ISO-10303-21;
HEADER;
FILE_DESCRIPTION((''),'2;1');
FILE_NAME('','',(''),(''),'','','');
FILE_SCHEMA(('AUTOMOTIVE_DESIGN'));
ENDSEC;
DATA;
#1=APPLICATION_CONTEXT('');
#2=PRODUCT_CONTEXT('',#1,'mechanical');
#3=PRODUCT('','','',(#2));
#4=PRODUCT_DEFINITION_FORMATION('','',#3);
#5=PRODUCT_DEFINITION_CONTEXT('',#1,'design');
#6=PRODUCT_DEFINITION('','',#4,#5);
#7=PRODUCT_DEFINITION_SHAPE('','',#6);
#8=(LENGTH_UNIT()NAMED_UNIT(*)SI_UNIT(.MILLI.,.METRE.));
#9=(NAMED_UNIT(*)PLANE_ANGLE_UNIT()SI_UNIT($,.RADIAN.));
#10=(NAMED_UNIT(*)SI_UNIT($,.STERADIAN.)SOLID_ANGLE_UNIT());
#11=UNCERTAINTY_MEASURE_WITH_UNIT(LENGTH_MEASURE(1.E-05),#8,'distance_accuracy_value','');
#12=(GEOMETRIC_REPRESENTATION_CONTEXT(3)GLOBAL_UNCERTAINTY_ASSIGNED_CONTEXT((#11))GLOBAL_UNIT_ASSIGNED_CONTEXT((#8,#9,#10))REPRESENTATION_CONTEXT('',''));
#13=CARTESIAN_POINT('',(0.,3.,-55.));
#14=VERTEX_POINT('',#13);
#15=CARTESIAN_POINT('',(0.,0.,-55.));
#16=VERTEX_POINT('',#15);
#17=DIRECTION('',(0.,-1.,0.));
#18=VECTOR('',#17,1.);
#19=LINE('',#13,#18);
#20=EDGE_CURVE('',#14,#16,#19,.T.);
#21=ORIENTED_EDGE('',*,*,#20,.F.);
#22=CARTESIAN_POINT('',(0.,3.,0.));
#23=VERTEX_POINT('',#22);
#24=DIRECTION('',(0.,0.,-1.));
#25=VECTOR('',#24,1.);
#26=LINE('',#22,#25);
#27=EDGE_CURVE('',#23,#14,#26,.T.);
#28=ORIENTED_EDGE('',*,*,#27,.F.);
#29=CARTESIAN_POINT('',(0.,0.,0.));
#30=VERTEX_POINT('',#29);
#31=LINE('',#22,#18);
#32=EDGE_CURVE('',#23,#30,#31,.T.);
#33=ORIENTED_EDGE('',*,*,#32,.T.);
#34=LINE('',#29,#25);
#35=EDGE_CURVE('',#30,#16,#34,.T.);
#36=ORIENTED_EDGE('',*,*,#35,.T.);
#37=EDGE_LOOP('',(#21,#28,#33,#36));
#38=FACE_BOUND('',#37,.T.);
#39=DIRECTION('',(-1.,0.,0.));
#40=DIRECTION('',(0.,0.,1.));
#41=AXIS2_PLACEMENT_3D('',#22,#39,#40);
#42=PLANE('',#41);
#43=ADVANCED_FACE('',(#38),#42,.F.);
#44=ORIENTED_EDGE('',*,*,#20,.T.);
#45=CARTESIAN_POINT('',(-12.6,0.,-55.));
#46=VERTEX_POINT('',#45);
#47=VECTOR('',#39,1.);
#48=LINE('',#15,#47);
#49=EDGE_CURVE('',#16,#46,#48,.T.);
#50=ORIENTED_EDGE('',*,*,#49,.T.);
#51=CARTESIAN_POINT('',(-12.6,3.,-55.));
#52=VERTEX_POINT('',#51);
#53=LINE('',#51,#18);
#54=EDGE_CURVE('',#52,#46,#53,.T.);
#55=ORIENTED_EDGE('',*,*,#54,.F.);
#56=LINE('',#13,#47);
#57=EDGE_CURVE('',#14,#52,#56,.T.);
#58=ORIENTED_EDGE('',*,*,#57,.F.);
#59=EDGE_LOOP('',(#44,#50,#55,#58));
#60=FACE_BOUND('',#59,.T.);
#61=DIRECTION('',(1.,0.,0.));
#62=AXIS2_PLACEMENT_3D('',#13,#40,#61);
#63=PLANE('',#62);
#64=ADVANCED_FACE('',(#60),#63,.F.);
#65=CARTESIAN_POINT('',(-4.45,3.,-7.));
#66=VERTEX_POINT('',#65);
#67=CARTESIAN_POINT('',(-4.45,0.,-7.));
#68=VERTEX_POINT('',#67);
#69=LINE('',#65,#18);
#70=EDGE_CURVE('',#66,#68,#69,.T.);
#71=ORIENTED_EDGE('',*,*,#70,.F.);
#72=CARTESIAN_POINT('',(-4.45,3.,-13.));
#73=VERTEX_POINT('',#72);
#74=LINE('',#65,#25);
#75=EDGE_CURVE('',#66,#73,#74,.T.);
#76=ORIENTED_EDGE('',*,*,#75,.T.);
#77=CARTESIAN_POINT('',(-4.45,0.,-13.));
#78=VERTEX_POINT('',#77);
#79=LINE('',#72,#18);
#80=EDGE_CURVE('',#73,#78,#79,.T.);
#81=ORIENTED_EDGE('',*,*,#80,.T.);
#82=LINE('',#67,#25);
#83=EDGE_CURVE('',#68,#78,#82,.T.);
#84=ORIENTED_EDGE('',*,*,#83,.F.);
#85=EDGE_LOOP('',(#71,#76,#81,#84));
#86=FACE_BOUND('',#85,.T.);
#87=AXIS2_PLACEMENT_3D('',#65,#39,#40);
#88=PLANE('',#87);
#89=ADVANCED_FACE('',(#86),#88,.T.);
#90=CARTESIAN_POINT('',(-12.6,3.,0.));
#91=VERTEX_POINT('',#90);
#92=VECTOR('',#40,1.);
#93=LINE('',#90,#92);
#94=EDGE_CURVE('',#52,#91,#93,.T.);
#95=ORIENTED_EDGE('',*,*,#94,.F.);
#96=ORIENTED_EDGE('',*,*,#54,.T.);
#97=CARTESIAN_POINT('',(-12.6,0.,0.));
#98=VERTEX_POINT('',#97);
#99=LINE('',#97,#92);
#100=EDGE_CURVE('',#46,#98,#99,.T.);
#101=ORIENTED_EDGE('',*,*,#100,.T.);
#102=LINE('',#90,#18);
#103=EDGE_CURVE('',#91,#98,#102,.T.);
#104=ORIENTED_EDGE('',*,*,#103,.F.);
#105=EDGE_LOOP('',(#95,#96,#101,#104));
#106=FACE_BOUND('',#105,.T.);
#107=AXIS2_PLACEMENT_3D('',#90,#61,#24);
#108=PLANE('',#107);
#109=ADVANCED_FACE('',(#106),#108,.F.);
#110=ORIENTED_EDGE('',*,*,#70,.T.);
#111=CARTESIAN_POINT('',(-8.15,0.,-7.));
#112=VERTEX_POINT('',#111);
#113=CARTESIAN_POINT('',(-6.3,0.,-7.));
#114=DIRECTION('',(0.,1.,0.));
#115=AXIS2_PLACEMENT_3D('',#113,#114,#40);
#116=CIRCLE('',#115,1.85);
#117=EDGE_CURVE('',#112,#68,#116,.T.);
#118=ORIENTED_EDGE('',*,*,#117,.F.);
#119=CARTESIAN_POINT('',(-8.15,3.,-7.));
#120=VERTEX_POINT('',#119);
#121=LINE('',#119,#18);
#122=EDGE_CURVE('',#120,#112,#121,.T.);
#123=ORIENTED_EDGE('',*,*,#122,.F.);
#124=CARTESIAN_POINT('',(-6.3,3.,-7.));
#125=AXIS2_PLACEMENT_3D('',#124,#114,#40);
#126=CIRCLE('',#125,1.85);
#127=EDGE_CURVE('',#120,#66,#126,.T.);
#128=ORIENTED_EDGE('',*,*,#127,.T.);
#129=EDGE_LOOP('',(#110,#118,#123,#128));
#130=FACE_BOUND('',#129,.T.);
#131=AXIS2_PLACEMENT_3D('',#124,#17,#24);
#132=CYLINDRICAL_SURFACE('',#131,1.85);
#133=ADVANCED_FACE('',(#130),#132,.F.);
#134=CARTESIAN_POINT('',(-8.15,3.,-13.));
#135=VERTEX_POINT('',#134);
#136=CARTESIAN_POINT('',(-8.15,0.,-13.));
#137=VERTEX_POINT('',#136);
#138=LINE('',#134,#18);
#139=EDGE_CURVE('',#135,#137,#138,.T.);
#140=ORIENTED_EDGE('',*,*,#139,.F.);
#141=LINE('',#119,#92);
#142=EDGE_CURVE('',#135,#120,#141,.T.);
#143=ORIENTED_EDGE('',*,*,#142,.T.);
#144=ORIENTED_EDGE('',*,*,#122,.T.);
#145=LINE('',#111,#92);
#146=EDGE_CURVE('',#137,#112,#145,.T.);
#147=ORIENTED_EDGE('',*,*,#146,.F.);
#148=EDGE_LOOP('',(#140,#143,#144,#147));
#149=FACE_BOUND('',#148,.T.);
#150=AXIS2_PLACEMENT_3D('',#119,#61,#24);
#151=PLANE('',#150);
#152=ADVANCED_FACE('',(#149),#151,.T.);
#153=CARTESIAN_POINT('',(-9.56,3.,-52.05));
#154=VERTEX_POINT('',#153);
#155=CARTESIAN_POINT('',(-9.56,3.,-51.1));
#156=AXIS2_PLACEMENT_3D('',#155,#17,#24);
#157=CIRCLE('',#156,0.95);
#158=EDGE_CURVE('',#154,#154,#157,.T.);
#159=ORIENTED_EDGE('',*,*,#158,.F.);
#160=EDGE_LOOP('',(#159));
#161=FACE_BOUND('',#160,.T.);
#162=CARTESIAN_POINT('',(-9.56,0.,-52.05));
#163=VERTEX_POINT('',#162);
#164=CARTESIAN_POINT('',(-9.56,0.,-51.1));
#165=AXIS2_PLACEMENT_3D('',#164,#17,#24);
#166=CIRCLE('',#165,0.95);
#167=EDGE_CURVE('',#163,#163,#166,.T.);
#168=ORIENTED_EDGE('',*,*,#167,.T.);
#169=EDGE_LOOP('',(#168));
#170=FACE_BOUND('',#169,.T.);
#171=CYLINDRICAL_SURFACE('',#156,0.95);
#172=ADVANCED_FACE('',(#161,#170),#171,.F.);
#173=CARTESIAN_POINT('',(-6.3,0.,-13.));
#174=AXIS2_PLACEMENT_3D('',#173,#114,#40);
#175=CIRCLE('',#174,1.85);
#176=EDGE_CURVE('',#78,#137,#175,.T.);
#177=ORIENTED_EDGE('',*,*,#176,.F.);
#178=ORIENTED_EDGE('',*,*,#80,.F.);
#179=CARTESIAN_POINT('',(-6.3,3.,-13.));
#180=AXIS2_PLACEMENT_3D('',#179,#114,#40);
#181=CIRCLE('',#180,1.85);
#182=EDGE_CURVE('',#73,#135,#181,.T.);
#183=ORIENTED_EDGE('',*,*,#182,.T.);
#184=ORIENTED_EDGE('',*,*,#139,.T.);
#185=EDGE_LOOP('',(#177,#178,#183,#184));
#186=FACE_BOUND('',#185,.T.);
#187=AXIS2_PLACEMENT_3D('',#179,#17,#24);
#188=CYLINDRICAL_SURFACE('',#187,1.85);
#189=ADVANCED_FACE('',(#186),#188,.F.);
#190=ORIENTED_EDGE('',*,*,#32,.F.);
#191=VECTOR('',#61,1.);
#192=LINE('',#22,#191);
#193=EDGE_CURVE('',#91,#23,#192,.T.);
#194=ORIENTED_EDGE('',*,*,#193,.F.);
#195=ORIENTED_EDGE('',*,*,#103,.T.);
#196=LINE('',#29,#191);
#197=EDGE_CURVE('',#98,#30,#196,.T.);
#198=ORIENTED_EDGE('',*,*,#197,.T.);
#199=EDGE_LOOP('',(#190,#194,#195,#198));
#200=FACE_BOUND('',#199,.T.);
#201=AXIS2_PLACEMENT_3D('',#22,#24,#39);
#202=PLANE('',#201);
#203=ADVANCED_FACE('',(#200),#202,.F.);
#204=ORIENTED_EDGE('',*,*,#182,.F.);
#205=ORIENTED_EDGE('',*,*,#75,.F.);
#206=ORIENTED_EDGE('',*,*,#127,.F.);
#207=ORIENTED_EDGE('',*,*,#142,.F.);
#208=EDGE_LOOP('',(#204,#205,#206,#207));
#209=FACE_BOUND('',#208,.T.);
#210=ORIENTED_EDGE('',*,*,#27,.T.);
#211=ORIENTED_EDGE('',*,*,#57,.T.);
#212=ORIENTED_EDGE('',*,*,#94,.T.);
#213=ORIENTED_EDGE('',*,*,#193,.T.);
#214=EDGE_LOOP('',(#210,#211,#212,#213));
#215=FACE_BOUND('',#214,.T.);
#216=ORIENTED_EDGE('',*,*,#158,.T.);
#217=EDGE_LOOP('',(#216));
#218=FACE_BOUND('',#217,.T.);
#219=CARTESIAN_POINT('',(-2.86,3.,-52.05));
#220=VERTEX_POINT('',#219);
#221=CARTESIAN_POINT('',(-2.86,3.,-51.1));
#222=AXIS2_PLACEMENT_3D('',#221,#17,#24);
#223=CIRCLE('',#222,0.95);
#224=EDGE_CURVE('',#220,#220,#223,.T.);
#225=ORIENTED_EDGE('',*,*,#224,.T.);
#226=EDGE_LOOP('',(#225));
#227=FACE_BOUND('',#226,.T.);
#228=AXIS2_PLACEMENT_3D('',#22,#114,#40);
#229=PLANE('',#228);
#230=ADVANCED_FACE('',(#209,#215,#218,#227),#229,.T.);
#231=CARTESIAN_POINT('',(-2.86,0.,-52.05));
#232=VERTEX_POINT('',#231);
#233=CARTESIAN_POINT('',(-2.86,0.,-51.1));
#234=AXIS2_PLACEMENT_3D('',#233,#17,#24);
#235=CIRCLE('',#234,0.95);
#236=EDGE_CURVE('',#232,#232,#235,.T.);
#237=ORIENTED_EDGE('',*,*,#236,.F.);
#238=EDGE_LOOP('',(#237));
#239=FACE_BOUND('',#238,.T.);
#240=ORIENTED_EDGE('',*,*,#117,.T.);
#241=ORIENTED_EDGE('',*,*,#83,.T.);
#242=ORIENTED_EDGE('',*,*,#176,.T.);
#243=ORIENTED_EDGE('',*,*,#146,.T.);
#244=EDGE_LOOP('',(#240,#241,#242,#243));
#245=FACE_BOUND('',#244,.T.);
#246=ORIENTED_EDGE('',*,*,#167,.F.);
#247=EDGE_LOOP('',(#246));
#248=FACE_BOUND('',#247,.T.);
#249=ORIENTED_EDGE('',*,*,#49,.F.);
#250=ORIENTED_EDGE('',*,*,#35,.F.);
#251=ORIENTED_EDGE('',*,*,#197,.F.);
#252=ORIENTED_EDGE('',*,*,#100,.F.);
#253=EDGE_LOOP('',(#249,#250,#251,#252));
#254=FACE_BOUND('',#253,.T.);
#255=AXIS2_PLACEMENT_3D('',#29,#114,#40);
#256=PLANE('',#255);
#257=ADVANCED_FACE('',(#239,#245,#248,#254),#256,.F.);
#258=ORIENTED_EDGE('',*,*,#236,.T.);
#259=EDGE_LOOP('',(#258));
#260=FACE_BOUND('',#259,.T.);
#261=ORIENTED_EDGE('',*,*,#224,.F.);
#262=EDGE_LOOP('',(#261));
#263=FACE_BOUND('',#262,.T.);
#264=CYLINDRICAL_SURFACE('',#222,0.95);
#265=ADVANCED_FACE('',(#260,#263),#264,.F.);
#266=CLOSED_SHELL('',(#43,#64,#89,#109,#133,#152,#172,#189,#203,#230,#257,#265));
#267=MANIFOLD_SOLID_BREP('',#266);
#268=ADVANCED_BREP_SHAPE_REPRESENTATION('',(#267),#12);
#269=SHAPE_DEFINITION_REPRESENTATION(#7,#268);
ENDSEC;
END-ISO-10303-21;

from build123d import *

# Parameters (mm, degrees)
SKETCH1_W           = 12.6
SKETCH1_H           = 55
BOSS_EXTRUDE1_DEPTH = 3
SKETCH2_R           = 0.95
CUT_EXTRUDE1_DEPTH  = 57.504513094


with BuildPart() as part:
    # Sketch1 → Boss-Extrude1 (new body)
    with BuildSketch(Plane(origin=(0, 0, 0), x_dir=(1, 0, 0), z_dir=(0, 1, 0))):
        with Locations((-6.3, 27.5)):
            Rectangle(SKETCH1_W, SKETCH1_H)
        with BuildLine():
            Line((-8.15, 7), (-8.15, 13))
            ThreePointArc((-8.15, 13), (-6.3, 14.85), (-4.45, 13))
            Line((-4.45, 13), (-4.45, 7))
            ThreePointArc((-4.45, 7), (-6.3, 5.15), (-8.15, 7))
        make_face(mode=Mode.SUBTRACT)
    extrude(amount=BOSS_EXTRUDE1_DEPTH)

    # Sketch2 → Cut-Extrude1 (cut, through all)
    with BuildSketch(Plane.XZ):
        with Locations(Location((-2.86, -51.1, 0), (0, 0, 270))):
            Circle(SKETCH2_R)
        with Locations(Location((-9.56, -51.1, 0), (0, 0, 270))):
            Circle(SKETCH2_R)
    extrude(amount=-CUT_EXTRUDE1_DEPTH, mode=Mode.SUBTRACT)


solid = part.part
